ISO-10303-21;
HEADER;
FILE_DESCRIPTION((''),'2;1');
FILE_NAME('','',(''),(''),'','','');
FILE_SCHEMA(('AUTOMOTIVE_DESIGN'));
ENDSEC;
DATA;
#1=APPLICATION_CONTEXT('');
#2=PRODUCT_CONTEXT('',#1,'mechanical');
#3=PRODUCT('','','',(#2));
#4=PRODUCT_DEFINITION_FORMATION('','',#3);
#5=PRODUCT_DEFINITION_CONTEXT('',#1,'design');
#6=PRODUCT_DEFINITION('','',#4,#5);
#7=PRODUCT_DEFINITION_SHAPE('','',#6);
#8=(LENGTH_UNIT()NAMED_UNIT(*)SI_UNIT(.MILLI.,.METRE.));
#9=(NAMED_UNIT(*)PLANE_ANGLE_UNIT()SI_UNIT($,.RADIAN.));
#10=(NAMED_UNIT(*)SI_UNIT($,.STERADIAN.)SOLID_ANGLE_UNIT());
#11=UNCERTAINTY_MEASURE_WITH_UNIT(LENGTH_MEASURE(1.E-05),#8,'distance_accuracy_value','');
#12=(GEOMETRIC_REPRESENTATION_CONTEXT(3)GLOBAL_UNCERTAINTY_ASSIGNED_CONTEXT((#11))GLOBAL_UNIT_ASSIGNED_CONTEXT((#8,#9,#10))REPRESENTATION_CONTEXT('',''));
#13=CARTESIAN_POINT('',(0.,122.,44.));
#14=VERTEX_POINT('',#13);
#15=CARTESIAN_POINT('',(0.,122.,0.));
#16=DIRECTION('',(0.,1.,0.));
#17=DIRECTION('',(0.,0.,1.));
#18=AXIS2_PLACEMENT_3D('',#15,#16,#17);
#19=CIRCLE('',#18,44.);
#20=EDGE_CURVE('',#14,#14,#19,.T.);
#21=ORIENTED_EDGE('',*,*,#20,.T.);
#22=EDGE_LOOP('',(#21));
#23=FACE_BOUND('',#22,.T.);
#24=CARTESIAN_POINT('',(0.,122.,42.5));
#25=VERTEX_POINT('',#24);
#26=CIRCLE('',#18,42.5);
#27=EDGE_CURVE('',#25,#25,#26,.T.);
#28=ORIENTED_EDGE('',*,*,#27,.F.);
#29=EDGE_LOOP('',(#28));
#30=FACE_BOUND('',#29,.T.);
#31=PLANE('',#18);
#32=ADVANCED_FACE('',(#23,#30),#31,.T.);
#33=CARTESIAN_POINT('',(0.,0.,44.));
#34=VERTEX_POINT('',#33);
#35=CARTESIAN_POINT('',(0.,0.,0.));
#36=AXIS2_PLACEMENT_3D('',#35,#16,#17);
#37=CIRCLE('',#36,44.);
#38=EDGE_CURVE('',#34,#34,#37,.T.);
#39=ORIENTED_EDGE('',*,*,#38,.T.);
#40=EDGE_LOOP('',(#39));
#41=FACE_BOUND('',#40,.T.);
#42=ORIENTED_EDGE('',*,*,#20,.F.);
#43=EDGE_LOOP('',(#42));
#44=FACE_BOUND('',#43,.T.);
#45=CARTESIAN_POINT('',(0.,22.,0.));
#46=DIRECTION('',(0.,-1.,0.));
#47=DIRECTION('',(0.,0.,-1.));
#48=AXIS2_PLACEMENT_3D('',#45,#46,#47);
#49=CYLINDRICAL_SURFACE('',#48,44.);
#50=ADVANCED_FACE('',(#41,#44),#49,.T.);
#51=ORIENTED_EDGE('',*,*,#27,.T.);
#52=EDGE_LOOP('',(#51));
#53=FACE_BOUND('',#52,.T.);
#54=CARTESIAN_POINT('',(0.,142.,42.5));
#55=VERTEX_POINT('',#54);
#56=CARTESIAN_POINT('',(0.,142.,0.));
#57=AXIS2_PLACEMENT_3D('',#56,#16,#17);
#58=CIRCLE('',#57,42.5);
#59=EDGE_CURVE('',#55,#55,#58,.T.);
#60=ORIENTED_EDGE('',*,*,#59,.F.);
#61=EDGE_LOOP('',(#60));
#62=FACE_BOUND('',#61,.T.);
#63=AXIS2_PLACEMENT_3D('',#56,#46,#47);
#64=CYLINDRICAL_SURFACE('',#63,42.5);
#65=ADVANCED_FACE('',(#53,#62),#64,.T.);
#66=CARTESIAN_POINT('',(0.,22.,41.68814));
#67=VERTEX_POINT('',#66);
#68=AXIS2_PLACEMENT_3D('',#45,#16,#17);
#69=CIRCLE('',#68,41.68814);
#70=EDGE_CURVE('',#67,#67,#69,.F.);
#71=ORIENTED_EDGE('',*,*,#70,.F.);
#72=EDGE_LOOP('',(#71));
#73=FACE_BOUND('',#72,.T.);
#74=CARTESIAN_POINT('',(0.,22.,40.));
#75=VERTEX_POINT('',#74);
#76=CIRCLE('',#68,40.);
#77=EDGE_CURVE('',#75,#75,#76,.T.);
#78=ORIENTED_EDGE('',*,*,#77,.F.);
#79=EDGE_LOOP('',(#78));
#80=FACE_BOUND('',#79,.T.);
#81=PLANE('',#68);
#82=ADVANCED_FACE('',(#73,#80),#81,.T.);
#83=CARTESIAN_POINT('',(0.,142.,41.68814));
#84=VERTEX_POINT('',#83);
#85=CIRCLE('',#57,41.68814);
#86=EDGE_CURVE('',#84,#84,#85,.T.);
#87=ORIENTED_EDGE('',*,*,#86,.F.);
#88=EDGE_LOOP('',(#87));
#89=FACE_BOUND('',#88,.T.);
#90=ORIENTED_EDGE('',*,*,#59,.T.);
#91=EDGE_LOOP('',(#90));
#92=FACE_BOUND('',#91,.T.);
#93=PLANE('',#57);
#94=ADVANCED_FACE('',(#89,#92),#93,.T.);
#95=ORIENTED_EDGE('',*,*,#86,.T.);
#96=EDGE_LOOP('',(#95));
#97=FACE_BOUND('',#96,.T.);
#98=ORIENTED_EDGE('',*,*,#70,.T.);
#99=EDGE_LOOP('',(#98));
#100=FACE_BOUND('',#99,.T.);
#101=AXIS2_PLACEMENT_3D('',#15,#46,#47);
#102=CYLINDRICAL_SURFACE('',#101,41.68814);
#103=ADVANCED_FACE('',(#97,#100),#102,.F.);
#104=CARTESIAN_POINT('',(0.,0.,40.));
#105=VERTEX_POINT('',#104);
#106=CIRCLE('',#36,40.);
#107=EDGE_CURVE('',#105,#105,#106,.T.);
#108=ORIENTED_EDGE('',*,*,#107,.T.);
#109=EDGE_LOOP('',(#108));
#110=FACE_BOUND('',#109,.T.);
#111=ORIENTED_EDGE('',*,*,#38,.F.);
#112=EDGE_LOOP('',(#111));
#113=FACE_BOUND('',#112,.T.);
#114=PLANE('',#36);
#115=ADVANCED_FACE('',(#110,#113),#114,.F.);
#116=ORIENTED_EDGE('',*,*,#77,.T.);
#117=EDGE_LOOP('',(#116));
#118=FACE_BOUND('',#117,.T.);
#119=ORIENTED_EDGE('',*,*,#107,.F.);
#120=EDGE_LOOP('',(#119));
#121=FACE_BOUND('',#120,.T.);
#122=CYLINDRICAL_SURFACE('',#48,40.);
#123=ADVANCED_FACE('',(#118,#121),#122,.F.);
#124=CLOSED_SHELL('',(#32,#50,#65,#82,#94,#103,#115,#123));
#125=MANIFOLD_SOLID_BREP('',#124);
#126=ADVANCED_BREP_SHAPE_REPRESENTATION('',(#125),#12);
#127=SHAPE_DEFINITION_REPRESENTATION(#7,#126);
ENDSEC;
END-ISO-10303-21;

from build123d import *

# Parameters (mm, degrees)
SKETCH1_R           = 44
SKETCH1_R_2         = 40
BOSS_EXTRUDE1_DEPTH = 22
SKETCH2_R           = 44
SKETCH2_R_2         = 41.68814
BOSS_EXTRUDE2_DEPTH = 100
SKETCH3_R           = 42.5
SKETCH3_R_2         = 41.68814
BOSS_EXTRUDE3_DEPTH = 20


with BuildPart() as part:
    # Sketch1 → Boss-Extrude1 (new body)
    with BuildSketch(Plane(origin=(0, 0, 0), x_dir=(1, 0, 0), z_dir=(0, 1, 0))):
        Circle(SKETCH1_R)
        Circle(SKETCH1_R_2, mode=Mode.SUBTRACT)
    extrude(amount=BOSS_EXTRUDE1_DEPTH)

    # Sketch2 → Boss-Extrude2 (add)
    with BuildSketch(Plane(origin=(0, 22, 0), x_dir=(1, 0, 0), z_dir=(0, 1, 0))):
        Circle(SKETCH2_R)
        Circle(SKETCH2_R_2, mode=Mode.SUBTRACT)
    extrude(amount=BOSS_EXTRUDE2_DEPTH)

    # Sketch3 → Boss-Extrude3 (add)
    with BuildSketch(Plane(origin=(0, 122, 0), x_dir=(1, 0, 0), z_dir=(0, 1, 0))):
        Circle(SKETCH3_R)
        Circle(SKETCH3_R_2, mode=Mode.SUBTRACT)
    extrude(amount=BOSS_EXTRUDE3_DEPTH)


solid = part.part
